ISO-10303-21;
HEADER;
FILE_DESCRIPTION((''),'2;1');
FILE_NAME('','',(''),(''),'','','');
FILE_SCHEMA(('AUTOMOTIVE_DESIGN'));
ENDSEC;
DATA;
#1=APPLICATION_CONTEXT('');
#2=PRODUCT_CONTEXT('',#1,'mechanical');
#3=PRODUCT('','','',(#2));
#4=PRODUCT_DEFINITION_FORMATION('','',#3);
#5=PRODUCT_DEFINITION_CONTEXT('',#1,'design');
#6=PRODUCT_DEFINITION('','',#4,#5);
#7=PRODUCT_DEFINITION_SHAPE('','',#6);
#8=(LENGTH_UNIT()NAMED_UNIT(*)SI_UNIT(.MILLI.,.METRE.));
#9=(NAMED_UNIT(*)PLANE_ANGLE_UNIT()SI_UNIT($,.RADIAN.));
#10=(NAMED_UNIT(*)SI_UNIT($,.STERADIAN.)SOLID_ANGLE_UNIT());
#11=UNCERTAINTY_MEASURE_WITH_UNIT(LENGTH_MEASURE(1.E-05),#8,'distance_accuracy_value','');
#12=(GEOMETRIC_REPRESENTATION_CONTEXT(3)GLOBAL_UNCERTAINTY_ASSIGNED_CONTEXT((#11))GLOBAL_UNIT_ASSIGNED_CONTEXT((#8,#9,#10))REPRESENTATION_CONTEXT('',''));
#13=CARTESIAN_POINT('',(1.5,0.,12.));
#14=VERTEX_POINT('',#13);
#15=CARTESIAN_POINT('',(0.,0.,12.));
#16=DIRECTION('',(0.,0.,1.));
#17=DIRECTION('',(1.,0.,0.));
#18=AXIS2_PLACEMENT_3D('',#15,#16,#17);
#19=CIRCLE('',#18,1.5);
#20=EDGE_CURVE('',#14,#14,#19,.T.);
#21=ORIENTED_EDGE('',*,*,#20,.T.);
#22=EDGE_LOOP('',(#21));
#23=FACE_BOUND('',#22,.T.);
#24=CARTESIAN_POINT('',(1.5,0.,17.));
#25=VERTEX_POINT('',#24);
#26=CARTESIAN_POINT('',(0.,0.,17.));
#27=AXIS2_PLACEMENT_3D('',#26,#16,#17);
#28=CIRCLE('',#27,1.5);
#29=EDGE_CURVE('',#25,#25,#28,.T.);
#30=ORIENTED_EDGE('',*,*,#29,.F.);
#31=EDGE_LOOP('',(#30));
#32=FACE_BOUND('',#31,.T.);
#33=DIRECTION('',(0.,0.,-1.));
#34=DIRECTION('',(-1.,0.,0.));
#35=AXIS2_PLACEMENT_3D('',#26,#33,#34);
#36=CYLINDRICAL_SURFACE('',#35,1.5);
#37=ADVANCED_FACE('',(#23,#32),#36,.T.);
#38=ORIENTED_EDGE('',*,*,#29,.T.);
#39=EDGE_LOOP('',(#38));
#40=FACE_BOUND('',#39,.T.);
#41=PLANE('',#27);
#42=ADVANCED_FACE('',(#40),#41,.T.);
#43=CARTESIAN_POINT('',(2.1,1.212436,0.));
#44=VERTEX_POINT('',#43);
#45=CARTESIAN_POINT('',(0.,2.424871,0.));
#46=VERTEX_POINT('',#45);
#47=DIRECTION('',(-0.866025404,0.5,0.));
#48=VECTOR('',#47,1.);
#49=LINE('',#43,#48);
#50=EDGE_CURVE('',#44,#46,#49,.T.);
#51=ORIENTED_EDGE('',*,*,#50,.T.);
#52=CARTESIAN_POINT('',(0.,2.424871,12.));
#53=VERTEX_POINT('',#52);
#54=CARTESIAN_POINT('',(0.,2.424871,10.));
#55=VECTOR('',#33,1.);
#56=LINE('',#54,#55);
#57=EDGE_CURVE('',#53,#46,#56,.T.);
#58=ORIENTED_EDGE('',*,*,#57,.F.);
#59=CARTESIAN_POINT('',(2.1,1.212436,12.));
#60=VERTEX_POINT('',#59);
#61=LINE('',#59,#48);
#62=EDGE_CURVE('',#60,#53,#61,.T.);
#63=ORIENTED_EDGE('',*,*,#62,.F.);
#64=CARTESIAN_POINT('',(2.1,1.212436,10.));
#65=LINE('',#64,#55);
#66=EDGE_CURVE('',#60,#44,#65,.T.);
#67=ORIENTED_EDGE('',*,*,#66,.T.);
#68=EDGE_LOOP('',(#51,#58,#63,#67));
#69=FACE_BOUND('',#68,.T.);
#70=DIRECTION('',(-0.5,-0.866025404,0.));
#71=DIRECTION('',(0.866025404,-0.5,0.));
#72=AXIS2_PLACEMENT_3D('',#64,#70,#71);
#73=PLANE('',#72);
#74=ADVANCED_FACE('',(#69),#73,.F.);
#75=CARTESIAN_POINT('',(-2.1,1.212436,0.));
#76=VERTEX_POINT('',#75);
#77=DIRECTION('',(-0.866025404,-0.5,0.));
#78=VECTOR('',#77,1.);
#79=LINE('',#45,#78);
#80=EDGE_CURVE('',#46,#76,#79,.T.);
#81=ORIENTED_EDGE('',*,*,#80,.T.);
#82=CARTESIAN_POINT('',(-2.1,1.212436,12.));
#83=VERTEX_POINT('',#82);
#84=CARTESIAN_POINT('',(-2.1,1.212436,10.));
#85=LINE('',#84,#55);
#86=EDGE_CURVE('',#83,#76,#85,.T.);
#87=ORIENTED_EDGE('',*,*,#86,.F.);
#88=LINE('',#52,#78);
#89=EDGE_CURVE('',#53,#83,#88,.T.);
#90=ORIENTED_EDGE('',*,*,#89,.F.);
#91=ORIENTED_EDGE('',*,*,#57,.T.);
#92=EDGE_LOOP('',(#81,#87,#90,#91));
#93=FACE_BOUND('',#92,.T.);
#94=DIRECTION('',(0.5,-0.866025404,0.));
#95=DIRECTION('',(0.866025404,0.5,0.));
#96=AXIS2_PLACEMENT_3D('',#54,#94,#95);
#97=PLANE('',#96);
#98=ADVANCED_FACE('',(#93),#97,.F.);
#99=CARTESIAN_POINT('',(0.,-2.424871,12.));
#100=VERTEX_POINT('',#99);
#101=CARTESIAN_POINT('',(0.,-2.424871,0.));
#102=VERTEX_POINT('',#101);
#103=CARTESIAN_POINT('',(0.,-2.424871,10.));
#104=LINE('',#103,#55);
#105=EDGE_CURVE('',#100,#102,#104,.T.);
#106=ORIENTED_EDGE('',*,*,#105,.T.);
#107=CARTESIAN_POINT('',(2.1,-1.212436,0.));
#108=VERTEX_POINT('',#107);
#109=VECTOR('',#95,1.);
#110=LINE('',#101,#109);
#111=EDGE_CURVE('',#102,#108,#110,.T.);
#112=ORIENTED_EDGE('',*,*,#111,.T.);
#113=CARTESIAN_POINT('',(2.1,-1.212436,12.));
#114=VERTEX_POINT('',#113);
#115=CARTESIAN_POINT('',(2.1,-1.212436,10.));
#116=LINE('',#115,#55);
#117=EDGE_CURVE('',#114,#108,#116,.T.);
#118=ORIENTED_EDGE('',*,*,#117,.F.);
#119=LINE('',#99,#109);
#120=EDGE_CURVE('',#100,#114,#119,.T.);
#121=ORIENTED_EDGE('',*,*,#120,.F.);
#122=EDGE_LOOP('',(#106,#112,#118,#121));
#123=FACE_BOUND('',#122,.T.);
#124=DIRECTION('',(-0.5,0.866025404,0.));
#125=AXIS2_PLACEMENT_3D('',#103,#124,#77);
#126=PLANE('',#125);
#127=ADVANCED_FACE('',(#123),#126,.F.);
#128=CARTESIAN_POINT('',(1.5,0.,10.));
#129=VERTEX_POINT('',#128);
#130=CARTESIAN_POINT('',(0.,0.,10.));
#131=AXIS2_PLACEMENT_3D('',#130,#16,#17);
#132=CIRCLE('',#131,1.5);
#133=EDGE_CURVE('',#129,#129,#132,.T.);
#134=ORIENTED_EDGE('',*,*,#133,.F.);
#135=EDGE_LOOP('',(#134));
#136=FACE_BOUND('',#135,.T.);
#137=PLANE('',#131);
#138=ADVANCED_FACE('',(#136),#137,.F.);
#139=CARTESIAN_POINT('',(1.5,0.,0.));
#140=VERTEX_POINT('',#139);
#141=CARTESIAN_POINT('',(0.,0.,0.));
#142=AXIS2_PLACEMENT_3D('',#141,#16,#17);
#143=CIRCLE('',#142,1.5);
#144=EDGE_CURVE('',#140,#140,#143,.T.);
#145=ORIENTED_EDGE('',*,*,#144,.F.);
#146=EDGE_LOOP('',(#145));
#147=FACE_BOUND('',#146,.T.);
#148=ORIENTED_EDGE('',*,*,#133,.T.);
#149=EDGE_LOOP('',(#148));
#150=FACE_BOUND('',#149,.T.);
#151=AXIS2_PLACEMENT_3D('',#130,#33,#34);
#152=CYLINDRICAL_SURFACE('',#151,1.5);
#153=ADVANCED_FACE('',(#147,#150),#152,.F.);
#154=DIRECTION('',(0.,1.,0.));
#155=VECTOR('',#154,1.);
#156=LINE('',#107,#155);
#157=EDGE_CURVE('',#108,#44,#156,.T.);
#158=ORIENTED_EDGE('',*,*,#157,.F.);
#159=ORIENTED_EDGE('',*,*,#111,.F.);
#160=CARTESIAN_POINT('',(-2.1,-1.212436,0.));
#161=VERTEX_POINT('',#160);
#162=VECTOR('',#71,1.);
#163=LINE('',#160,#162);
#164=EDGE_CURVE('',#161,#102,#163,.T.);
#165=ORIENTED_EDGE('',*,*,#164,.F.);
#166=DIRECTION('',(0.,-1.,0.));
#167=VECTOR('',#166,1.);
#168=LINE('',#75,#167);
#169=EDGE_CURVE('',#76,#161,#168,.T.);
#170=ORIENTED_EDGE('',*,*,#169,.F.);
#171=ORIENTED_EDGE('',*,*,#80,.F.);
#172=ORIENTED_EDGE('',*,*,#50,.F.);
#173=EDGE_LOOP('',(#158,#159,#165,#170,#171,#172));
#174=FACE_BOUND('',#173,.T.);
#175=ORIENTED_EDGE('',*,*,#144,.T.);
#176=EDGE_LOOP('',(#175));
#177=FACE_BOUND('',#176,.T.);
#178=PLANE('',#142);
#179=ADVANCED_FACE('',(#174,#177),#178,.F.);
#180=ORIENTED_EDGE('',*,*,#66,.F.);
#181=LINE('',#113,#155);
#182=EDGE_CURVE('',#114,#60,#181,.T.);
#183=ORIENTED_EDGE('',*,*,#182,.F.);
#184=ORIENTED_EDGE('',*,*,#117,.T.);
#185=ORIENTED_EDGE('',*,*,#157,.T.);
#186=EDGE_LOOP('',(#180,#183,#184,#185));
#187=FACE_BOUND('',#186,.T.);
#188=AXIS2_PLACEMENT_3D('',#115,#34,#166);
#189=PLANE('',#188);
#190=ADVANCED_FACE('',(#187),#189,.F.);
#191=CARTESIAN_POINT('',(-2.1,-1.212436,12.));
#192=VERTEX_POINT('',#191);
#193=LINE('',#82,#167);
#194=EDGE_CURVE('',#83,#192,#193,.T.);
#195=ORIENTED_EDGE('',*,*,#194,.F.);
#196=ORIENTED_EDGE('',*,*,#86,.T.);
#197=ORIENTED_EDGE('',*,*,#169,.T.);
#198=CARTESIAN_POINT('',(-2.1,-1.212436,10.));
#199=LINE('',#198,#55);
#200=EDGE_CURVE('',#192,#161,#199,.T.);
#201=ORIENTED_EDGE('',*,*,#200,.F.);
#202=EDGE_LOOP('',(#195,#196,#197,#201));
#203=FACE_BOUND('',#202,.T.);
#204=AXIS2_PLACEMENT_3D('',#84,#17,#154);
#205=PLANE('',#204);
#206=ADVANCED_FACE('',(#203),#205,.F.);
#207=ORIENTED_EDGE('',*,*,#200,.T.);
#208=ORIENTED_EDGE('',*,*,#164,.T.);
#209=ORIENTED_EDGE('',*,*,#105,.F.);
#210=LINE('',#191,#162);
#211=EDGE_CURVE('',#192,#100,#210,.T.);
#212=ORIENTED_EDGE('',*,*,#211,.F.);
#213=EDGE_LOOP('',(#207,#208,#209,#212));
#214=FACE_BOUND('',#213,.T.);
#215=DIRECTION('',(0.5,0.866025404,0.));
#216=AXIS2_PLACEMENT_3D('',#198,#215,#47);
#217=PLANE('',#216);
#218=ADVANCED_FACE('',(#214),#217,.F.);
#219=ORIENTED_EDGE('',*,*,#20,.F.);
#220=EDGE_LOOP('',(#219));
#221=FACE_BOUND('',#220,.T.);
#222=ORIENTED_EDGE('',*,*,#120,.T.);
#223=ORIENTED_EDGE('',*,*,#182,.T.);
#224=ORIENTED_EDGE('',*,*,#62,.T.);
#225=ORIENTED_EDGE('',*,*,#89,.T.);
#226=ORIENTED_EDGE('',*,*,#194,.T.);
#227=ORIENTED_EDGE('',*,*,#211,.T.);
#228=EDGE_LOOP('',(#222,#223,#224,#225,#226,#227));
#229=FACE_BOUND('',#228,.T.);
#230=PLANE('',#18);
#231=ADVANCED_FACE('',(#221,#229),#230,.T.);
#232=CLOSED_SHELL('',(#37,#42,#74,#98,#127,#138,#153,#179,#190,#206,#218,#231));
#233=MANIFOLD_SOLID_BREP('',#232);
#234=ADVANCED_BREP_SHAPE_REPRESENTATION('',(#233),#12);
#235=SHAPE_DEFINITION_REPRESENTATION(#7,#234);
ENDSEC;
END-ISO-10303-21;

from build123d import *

# Parameters (mm, degrees)
SKETCH_1_R      = 1.5
EXTRUDE_1_DEPTH = 10
EXTRUDE_2_DEPTH = 2
SKETCH_3_R      = 1.5
EXTRUDE_3_DEPTH = 5


with BuildPart() as part:
    # 草图1 → 凸台-拉伸1 (new body)
    with BuildSketch(Plane.XY):
        Polygon((0, 2.424871131), (-2.1, 1.212435565), (-2.1, -1.212435565), (0, -2.424871131), (2.1, -1.212435565), (2.1, 1.212435565), align=None)
        Circle(SKETCH_1_R, mode=Mode.SUBTRACT)
    extrude(amount=EXTRUDE_1_DEPTH)

    # 草图2 → 凸台-拉伸2 (add)
    with BuildSketch(Plane.XY.offset(10)):
        Polygon((2.1, 1.212435565), (0, 2.424871131), (-2.1, 1.212435565), (-2.1, -1.212435565), (0, -2.424871131), (2.1, -1.212435565), align=None)
    extrude(amount=EXTRUDE_2_DEPTH)

    # 草图3 → 凸台-拉伸3 (add)
    with BuildSketch(Plane.XY.offset(12)):
        Circle(SKETCH_3_R)
    extrude(amount=EXTRUDE_3_DEPTH)


solid = part.part
